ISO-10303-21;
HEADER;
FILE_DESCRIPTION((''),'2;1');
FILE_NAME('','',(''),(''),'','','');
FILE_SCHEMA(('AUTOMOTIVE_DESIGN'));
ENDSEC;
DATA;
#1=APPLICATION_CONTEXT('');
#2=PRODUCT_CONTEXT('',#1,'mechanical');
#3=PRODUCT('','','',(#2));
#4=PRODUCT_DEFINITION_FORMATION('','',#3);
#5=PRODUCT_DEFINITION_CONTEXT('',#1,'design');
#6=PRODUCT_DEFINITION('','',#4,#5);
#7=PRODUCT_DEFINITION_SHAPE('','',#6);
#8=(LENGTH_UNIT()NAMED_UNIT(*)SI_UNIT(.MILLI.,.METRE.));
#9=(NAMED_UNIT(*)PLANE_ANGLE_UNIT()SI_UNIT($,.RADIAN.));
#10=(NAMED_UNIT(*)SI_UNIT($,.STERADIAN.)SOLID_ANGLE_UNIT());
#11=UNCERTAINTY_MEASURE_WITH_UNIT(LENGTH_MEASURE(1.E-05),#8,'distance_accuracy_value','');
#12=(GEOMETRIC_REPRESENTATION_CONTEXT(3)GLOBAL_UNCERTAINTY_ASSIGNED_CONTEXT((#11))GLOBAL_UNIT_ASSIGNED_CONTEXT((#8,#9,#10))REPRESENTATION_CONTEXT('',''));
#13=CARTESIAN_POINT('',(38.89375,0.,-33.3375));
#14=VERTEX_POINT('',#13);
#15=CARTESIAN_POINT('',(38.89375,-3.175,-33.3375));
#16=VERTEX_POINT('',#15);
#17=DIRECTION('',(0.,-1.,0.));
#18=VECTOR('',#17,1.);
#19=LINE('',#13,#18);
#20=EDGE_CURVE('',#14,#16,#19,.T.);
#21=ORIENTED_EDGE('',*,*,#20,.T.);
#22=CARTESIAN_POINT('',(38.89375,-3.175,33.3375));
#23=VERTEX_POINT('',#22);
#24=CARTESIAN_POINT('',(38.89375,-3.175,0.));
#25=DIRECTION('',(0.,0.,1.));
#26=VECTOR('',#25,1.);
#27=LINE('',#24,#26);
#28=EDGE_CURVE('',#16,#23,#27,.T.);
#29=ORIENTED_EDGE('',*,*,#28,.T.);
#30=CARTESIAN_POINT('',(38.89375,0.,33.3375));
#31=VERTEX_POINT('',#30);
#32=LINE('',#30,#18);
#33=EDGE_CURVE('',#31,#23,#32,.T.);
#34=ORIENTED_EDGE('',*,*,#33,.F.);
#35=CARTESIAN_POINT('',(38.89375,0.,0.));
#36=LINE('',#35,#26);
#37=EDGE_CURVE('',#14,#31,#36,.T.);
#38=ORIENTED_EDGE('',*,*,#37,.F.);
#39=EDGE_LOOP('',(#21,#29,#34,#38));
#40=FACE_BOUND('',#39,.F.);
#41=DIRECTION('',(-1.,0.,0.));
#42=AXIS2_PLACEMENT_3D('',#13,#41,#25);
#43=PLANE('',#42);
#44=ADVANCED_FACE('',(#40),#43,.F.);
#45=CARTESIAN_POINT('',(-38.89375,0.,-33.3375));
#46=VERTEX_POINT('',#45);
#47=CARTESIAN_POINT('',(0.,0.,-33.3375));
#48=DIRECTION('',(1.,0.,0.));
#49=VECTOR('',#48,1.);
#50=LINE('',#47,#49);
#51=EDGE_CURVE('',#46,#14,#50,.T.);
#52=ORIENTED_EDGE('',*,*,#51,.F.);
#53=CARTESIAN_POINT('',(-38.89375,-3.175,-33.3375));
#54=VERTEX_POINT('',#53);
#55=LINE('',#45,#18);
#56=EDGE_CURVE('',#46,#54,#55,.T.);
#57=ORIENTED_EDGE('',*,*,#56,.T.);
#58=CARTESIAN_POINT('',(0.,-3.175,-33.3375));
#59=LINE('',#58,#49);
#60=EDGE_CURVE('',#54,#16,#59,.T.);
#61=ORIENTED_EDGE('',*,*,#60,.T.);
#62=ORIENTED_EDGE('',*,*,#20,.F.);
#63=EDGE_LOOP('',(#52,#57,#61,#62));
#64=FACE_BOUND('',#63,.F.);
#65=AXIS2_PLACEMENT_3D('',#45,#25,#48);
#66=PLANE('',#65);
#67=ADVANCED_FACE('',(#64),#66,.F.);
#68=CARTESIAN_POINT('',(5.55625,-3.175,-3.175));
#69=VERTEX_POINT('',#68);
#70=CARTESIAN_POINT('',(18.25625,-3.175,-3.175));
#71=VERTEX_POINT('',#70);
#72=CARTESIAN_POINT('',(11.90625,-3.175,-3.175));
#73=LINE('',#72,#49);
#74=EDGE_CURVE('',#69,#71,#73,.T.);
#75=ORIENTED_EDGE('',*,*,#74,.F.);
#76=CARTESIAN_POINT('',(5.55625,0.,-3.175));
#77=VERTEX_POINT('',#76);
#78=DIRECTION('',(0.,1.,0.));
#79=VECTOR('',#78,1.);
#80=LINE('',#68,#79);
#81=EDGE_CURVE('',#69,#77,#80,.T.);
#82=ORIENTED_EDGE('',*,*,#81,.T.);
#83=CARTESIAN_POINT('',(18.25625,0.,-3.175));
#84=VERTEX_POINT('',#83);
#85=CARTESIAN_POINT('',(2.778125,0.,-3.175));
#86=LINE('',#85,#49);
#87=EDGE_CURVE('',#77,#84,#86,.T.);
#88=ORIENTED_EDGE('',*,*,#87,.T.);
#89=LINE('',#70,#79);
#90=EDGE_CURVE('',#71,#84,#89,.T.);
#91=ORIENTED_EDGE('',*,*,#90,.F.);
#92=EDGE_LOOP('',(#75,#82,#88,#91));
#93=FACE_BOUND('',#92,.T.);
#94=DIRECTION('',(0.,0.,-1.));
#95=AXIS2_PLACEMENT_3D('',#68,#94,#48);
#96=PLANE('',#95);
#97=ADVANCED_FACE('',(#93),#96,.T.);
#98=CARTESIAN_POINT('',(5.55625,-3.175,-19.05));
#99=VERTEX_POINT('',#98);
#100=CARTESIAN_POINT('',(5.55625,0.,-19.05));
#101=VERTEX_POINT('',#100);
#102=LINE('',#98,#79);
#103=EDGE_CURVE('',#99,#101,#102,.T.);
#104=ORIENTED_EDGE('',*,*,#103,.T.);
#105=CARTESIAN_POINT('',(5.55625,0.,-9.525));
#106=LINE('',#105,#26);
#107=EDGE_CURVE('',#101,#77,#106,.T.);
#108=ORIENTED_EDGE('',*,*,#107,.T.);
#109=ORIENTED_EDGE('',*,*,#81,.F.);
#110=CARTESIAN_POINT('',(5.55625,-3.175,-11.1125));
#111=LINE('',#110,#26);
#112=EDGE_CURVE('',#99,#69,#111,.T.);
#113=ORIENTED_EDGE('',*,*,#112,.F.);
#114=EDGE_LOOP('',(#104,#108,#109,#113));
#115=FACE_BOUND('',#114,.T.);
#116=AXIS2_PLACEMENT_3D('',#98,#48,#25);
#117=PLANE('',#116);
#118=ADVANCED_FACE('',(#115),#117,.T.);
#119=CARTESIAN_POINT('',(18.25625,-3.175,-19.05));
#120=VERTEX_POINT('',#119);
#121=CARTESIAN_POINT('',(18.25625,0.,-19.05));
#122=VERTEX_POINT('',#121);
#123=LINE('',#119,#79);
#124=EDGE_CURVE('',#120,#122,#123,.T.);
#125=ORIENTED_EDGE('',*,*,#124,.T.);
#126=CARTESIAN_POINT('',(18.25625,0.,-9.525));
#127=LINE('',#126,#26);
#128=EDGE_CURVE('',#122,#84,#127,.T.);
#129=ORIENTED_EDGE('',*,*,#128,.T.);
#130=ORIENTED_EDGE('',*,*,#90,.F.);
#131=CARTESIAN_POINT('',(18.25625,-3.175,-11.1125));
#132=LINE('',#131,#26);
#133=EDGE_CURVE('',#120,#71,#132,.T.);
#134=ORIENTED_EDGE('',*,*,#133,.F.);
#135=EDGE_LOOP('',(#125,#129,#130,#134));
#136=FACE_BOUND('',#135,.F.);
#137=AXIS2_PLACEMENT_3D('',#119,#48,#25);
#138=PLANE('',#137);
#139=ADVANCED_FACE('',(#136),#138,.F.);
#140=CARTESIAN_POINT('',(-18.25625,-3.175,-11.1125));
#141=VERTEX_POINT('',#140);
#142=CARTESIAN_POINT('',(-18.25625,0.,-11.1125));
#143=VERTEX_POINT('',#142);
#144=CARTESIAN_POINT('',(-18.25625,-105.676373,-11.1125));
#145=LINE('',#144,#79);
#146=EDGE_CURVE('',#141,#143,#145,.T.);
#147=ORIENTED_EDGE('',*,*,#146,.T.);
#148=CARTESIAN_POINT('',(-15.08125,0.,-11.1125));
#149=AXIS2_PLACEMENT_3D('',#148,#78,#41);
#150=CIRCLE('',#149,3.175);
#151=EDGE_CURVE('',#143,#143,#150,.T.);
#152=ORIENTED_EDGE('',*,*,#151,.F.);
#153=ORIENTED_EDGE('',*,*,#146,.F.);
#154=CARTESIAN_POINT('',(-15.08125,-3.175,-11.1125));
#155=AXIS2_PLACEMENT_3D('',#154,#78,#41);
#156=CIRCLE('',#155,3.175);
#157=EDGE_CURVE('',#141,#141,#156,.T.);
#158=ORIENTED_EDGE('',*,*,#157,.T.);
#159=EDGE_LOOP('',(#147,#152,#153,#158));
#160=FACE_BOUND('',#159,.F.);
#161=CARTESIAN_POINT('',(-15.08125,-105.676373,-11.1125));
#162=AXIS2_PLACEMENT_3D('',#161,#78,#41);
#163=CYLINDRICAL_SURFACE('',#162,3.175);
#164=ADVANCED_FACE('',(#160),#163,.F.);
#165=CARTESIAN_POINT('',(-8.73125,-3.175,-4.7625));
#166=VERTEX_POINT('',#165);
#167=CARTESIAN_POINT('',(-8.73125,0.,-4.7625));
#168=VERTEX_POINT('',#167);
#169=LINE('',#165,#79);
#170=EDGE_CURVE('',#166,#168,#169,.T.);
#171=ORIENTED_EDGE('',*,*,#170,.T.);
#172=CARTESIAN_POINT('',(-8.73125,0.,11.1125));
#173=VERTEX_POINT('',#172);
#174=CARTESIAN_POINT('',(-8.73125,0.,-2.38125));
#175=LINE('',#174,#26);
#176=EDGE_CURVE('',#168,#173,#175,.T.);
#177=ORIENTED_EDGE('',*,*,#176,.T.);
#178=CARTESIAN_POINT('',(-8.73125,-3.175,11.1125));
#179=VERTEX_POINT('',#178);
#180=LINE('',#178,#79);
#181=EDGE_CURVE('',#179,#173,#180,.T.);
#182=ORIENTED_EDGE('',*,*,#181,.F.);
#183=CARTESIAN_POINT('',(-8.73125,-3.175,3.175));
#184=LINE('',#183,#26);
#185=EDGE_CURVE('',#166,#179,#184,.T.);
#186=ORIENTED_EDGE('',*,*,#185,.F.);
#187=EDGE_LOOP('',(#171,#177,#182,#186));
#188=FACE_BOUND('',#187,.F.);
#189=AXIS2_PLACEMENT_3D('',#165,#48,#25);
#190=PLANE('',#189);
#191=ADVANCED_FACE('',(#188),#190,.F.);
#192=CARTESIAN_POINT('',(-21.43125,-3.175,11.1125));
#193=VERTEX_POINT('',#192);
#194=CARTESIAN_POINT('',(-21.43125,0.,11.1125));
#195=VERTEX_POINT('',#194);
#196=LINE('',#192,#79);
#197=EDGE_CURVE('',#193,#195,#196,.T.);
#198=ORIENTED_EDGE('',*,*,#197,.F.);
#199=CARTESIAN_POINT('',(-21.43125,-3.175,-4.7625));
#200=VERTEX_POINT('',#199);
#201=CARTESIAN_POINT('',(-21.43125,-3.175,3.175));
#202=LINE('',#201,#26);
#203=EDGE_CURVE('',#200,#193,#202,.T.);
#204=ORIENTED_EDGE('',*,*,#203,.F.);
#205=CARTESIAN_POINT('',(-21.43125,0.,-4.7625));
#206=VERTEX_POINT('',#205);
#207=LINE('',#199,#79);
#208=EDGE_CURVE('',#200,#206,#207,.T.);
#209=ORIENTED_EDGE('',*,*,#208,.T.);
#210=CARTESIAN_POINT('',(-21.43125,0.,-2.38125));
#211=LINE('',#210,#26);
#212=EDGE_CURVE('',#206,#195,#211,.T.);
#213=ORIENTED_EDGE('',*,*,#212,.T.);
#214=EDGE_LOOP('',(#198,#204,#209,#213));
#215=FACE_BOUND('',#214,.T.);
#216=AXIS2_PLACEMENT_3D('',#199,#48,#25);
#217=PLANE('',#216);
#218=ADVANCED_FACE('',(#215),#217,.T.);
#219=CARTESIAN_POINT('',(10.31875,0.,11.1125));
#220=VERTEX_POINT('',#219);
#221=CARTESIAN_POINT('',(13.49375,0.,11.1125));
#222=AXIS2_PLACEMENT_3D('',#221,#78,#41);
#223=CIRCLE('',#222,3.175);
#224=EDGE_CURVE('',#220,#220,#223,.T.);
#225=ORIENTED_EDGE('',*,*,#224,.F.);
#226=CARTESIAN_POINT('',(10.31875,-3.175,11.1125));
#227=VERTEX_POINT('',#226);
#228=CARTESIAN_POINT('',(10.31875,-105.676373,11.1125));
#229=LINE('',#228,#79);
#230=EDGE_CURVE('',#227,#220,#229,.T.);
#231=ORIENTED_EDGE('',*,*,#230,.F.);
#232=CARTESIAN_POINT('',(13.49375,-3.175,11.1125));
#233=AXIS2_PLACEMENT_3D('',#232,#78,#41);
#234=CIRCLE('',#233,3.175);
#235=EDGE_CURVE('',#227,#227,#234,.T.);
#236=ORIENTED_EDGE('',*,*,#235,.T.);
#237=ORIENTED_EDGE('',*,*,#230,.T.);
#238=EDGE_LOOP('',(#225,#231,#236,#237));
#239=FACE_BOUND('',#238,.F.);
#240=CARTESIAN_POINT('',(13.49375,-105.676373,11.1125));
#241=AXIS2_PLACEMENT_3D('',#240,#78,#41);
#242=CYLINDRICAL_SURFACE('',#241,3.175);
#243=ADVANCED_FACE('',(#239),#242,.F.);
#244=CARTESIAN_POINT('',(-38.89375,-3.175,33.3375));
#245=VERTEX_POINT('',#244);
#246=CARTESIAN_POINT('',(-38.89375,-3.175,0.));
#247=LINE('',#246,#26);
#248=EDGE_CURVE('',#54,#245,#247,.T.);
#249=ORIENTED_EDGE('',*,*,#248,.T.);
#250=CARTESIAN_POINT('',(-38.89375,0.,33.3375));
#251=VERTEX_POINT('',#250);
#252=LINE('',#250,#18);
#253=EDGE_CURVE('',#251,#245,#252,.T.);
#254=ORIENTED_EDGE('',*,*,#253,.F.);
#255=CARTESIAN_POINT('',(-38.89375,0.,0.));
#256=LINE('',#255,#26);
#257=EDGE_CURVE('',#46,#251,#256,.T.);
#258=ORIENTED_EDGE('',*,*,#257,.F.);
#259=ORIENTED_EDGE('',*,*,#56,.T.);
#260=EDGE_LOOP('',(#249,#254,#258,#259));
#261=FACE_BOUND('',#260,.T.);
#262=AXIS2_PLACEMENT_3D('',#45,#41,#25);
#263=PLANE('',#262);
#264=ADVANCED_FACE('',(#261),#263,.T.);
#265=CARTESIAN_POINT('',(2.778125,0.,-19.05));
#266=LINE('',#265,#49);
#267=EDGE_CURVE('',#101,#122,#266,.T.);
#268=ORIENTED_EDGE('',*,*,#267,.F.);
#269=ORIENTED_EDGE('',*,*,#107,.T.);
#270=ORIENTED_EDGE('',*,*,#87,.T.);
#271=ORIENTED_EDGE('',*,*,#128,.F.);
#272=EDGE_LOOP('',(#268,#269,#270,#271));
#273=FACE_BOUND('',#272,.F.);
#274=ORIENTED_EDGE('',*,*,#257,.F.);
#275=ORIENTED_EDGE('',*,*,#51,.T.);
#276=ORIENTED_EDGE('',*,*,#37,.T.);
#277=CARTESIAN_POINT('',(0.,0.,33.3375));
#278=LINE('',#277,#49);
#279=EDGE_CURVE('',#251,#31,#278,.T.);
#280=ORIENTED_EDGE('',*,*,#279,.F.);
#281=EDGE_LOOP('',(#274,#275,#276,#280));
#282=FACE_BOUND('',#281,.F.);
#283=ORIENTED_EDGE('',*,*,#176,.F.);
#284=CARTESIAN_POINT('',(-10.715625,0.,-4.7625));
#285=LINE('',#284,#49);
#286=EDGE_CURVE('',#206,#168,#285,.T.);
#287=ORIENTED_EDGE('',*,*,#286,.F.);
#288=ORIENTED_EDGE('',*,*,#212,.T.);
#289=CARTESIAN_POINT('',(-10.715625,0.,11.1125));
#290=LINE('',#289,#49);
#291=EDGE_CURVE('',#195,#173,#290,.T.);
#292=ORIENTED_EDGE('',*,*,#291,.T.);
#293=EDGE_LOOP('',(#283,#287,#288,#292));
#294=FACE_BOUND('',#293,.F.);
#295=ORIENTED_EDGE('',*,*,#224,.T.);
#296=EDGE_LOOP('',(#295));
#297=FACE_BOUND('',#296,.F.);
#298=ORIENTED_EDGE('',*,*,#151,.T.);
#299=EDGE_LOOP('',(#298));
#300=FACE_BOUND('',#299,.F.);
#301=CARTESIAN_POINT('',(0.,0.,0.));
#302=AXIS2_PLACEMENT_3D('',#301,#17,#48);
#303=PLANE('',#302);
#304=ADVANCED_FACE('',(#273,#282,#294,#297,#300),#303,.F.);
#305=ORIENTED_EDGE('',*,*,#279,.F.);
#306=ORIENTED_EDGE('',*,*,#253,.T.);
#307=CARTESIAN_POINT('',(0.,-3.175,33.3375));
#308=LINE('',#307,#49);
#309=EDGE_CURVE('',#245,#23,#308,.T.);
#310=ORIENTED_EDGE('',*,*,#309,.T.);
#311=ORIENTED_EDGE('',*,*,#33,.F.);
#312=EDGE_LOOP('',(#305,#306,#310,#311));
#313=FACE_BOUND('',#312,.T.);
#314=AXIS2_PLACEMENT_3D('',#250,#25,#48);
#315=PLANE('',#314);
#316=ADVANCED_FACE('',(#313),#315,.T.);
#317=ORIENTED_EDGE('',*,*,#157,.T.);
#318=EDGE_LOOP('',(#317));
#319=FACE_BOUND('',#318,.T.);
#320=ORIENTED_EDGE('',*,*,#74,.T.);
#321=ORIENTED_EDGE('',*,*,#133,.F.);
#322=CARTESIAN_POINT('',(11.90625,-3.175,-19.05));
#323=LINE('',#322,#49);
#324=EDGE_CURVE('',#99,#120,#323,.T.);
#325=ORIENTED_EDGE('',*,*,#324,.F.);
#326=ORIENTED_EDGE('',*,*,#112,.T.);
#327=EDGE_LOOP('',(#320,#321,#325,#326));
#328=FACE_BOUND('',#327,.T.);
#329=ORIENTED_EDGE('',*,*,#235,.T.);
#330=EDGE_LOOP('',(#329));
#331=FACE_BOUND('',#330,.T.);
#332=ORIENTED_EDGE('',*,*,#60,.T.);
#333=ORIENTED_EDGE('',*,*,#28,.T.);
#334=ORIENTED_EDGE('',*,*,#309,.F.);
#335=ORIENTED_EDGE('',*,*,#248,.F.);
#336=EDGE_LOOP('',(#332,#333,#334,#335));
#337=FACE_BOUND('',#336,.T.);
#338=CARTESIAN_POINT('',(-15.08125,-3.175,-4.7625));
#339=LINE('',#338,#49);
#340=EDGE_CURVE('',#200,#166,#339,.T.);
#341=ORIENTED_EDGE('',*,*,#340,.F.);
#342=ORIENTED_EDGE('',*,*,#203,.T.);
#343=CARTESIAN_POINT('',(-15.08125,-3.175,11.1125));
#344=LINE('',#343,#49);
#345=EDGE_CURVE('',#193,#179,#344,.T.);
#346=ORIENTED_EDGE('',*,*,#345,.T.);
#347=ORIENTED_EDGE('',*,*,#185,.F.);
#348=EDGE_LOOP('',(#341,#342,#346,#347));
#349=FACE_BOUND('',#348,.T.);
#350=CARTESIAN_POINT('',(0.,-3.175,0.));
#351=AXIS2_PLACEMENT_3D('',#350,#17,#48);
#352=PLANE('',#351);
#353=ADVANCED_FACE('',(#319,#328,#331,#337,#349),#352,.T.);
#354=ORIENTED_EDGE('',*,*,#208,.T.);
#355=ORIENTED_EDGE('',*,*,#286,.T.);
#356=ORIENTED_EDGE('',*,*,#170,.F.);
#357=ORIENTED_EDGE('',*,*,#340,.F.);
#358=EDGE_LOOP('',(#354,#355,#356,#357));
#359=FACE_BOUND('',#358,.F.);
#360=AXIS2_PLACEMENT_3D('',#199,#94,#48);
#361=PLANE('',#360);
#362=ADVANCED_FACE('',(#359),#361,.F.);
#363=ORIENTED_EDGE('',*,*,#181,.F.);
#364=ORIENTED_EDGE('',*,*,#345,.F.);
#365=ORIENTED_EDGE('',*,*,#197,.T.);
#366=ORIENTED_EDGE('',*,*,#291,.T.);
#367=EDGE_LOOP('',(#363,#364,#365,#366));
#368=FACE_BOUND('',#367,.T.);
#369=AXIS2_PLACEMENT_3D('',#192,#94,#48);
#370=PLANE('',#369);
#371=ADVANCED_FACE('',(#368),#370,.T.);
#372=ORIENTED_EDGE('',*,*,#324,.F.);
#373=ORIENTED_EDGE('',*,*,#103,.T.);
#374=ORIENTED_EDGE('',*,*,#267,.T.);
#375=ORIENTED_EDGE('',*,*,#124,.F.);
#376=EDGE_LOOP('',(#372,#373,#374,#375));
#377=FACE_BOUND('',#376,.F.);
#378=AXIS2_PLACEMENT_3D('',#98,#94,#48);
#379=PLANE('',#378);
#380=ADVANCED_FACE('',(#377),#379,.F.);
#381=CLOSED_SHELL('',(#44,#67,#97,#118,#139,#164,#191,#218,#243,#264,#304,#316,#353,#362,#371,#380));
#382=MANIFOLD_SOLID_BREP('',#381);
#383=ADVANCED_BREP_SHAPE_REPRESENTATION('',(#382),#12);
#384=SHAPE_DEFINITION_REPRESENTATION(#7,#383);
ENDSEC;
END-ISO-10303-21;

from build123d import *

# Parameters (mm, degrees)
F0_W     = 77.7875
F0_H     = 66.675
F1_DEPTH = 3.175
F3_D     = 6.35
F5_D     = 6.35
F6_W     = 12.7
F6_H     = 15.875
F7_DEPTH = 3.176


with BuildPart() as f1:
    # F0 (on Front) → F1 (new body)
    with BuildSketch(Plane.XZ):
        Rectangle(F0_W, F0_H)
    extrude(amount=F1_DEPTH)

    # F3 (through all)
    with Locations(Plane.XZ.offset(3.175)):
        with Locations((-15.08125, -11.1125)):
            Hole(F3_D / 2)

    # F5 (through all)
    with Locations(Plane.XZ.offset(3.175)):
        with Locations((13.49375, 11.1125)):
            Hole(F5_D / 2)

    # F6 (on face) → F7 (cut, through all)
    with BuildSketch(Plane.XZ.offset(3.175)):
        with Locations((-15.08125, 3.175)):
            Rectangle(F6_W, F6_H)
        with Locations((11.90625, -11.1125)):
            Rectangle(F6_W, F6_H)
    extrude(amount=-F7_DEPTH, mode=Mode.SUBTRACT)


solid = f1.part
